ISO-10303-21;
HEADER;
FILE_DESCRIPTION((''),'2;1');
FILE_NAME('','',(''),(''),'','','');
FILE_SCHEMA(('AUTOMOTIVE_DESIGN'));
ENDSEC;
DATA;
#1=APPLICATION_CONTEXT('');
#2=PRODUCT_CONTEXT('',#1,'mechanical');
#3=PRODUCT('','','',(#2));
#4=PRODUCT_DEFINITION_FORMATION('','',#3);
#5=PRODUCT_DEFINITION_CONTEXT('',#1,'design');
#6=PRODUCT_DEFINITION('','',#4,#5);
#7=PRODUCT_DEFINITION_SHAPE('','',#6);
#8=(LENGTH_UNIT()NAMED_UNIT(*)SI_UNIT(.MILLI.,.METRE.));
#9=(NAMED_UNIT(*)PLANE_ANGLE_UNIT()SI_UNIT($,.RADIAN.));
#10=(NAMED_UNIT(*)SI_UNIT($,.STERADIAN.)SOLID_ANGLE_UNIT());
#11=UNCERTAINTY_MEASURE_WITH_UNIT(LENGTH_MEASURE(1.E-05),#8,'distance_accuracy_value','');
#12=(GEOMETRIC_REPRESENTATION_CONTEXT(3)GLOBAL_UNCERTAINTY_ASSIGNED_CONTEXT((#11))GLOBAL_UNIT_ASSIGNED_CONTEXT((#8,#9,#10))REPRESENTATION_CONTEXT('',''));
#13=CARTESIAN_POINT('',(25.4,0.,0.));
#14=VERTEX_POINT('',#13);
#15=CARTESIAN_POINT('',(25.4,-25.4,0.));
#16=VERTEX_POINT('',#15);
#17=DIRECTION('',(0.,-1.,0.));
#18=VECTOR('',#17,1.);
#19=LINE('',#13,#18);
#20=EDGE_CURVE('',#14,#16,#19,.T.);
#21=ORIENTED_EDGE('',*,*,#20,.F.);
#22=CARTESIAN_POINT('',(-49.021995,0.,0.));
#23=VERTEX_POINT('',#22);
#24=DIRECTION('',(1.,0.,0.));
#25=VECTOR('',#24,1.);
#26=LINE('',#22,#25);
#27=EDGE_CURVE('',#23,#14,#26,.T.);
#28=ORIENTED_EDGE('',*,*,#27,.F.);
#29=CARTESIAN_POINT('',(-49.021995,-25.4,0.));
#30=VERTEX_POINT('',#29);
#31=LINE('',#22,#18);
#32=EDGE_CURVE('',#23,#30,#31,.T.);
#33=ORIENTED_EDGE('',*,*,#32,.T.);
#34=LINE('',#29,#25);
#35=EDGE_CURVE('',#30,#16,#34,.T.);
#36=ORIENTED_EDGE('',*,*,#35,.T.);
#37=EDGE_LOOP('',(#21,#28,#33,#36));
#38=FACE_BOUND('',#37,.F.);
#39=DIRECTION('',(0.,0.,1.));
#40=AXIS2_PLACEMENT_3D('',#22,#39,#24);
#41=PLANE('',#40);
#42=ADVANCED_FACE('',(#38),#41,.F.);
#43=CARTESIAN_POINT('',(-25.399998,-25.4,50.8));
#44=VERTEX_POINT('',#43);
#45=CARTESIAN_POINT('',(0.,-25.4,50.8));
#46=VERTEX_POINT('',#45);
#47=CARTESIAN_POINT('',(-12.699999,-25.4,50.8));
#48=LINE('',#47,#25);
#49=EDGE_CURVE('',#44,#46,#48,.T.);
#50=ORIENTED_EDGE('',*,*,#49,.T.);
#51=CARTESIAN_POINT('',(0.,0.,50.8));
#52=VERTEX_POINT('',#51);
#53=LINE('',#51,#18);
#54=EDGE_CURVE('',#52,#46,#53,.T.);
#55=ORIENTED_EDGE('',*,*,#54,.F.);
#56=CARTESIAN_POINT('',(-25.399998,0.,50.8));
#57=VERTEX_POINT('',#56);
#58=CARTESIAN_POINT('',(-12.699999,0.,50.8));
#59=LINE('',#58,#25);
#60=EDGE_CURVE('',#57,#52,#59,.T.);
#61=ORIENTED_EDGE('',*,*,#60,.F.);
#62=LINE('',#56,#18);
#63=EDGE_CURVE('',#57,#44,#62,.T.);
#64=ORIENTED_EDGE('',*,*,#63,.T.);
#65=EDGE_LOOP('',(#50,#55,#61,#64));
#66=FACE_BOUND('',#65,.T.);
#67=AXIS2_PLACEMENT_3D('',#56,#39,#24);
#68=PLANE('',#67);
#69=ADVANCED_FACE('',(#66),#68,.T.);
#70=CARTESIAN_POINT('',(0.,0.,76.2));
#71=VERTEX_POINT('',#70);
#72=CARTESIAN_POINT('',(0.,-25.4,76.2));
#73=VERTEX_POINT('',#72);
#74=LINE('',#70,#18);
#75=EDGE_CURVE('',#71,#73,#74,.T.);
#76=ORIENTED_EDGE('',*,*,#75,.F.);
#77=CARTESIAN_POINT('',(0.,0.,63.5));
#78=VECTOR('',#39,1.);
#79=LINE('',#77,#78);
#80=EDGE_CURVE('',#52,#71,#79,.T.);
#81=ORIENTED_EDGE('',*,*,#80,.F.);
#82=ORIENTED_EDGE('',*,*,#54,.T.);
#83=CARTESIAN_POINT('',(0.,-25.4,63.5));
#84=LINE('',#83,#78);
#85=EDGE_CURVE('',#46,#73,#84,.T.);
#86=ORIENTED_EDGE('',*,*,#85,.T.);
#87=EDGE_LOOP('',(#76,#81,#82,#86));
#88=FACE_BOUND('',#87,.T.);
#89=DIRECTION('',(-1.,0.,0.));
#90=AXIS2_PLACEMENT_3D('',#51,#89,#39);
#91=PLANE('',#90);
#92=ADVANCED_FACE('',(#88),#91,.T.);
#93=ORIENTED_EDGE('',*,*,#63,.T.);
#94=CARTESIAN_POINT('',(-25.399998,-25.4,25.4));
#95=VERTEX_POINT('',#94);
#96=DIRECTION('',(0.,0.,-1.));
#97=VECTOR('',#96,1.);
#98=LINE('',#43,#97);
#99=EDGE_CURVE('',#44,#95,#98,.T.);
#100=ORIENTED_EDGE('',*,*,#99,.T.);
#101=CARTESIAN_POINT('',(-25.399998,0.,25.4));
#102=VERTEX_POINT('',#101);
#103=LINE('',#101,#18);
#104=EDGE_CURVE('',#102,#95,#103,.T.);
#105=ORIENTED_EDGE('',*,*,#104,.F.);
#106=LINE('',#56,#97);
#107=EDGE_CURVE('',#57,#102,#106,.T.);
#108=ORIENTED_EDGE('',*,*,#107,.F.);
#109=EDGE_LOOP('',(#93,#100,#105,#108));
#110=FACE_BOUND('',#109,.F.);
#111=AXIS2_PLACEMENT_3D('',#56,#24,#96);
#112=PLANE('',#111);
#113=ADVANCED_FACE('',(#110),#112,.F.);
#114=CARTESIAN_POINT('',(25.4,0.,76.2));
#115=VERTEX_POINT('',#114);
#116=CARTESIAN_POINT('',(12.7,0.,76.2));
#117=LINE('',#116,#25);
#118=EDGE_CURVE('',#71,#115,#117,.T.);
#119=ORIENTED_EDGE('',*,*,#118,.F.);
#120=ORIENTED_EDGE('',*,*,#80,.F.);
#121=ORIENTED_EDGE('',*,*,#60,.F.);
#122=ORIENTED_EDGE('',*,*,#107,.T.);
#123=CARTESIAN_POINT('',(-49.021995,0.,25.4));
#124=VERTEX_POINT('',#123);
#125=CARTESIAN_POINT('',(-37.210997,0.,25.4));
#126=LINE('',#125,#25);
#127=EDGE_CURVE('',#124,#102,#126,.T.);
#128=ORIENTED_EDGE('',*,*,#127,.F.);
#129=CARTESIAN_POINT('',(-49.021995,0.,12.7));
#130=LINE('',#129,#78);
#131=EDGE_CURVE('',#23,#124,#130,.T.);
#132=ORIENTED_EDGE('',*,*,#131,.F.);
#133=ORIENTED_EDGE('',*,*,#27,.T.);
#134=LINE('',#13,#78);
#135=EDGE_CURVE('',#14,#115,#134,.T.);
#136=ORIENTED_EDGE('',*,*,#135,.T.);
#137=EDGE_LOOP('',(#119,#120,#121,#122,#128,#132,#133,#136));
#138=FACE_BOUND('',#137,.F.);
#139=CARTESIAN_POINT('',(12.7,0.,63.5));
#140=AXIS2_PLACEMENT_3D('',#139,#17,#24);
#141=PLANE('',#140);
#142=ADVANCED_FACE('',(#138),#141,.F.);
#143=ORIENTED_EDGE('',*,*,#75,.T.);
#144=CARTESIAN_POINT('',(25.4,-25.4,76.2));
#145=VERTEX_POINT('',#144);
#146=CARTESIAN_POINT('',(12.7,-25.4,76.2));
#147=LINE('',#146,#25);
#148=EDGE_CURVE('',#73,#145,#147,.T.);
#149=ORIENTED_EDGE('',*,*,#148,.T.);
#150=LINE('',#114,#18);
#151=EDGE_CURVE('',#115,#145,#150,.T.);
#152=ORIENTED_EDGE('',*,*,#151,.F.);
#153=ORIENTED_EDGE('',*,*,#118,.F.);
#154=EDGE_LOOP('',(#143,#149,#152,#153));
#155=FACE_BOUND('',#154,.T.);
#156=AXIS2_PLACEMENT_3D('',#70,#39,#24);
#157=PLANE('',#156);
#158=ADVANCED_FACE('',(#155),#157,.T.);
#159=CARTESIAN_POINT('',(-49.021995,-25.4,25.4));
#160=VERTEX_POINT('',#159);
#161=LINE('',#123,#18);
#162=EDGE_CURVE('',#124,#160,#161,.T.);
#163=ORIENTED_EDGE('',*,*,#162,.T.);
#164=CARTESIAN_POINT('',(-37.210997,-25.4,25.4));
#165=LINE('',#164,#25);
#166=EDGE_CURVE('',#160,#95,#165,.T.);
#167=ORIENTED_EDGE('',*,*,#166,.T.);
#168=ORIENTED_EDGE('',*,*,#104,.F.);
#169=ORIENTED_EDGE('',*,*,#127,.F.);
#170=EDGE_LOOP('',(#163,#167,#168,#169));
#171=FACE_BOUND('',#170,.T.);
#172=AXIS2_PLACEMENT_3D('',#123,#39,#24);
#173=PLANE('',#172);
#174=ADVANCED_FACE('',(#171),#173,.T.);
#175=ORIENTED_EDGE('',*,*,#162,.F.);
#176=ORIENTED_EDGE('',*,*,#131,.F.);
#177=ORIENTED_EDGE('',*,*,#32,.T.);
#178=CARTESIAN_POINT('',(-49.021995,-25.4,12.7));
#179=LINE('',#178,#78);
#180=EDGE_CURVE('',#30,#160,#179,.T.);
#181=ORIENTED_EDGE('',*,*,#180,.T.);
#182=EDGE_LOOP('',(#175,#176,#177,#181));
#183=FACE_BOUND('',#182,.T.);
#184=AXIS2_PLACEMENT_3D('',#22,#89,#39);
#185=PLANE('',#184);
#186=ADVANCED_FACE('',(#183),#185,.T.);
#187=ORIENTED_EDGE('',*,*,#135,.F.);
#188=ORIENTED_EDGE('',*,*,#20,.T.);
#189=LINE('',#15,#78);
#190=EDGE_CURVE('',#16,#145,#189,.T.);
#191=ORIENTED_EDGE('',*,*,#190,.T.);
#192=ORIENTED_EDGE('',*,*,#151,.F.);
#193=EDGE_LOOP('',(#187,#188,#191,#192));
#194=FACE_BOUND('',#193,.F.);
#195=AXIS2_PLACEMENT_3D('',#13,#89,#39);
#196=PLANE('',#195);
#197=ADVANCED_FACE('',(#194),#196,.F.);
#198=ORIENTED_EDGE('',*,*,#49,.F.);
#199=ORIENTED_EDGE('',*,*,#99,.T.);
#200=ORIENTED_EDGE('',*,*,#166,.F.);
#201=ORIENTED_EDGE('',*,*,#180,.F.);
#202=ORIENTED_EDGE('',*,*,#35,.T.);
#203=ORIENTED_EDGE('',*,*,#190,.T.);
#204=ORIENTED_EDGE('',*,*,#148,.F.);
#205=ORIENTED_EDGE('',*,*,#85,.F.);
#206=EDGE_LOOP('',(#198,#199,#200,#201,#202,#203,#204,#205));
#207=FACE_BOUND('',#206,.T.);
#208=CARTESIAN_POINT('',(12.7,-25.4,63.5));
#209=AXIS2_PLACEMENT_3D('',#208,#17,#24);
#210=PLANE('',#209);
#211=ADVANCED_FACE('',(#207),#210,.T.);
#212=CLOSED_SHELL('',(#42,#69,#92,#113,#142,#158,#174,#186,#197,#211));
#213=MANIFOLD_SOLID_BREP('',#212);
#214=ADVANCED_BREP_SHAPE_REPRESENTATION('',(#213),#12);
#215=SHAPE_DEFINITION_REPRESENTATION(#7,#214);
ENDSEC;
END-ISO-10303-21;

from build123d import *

# Parameters (mm, degrees)
F0_W     = 25.4
F0_H     = 25.4
F0_W_2   = 25.3999982615
F0_W_3   = 23.6219968708
F1_DEPTH = 25.4


with BuildPart() as f1:
    # F0 (on Front) → F1 (new body)
    with BuildSketch(Plane.XZ):
        with Locations((12.7, 63.5)):
            Rectangle(F0_W, F0_H)
        with Locations((-12.6999991308, 38.1)):
            Rectangle(F0_W_2, F0_H)
        with Locations((12.7, 38.1)):
            Rectangle(F0_W, F0_H)
        with Locations((12.7, 12.7)):
            Rectangle(F0_W, F0_H)
        with Locations((-12.6999991308, 12.7)):
            Rectangle(F0_W_2, F0_H)
        with Locations((-37.2109966969, 12.7)):
            Rectangle(F0_W_3, F0_H)
    extrude(amount=F1_DEPTH)


solid = f1.part
